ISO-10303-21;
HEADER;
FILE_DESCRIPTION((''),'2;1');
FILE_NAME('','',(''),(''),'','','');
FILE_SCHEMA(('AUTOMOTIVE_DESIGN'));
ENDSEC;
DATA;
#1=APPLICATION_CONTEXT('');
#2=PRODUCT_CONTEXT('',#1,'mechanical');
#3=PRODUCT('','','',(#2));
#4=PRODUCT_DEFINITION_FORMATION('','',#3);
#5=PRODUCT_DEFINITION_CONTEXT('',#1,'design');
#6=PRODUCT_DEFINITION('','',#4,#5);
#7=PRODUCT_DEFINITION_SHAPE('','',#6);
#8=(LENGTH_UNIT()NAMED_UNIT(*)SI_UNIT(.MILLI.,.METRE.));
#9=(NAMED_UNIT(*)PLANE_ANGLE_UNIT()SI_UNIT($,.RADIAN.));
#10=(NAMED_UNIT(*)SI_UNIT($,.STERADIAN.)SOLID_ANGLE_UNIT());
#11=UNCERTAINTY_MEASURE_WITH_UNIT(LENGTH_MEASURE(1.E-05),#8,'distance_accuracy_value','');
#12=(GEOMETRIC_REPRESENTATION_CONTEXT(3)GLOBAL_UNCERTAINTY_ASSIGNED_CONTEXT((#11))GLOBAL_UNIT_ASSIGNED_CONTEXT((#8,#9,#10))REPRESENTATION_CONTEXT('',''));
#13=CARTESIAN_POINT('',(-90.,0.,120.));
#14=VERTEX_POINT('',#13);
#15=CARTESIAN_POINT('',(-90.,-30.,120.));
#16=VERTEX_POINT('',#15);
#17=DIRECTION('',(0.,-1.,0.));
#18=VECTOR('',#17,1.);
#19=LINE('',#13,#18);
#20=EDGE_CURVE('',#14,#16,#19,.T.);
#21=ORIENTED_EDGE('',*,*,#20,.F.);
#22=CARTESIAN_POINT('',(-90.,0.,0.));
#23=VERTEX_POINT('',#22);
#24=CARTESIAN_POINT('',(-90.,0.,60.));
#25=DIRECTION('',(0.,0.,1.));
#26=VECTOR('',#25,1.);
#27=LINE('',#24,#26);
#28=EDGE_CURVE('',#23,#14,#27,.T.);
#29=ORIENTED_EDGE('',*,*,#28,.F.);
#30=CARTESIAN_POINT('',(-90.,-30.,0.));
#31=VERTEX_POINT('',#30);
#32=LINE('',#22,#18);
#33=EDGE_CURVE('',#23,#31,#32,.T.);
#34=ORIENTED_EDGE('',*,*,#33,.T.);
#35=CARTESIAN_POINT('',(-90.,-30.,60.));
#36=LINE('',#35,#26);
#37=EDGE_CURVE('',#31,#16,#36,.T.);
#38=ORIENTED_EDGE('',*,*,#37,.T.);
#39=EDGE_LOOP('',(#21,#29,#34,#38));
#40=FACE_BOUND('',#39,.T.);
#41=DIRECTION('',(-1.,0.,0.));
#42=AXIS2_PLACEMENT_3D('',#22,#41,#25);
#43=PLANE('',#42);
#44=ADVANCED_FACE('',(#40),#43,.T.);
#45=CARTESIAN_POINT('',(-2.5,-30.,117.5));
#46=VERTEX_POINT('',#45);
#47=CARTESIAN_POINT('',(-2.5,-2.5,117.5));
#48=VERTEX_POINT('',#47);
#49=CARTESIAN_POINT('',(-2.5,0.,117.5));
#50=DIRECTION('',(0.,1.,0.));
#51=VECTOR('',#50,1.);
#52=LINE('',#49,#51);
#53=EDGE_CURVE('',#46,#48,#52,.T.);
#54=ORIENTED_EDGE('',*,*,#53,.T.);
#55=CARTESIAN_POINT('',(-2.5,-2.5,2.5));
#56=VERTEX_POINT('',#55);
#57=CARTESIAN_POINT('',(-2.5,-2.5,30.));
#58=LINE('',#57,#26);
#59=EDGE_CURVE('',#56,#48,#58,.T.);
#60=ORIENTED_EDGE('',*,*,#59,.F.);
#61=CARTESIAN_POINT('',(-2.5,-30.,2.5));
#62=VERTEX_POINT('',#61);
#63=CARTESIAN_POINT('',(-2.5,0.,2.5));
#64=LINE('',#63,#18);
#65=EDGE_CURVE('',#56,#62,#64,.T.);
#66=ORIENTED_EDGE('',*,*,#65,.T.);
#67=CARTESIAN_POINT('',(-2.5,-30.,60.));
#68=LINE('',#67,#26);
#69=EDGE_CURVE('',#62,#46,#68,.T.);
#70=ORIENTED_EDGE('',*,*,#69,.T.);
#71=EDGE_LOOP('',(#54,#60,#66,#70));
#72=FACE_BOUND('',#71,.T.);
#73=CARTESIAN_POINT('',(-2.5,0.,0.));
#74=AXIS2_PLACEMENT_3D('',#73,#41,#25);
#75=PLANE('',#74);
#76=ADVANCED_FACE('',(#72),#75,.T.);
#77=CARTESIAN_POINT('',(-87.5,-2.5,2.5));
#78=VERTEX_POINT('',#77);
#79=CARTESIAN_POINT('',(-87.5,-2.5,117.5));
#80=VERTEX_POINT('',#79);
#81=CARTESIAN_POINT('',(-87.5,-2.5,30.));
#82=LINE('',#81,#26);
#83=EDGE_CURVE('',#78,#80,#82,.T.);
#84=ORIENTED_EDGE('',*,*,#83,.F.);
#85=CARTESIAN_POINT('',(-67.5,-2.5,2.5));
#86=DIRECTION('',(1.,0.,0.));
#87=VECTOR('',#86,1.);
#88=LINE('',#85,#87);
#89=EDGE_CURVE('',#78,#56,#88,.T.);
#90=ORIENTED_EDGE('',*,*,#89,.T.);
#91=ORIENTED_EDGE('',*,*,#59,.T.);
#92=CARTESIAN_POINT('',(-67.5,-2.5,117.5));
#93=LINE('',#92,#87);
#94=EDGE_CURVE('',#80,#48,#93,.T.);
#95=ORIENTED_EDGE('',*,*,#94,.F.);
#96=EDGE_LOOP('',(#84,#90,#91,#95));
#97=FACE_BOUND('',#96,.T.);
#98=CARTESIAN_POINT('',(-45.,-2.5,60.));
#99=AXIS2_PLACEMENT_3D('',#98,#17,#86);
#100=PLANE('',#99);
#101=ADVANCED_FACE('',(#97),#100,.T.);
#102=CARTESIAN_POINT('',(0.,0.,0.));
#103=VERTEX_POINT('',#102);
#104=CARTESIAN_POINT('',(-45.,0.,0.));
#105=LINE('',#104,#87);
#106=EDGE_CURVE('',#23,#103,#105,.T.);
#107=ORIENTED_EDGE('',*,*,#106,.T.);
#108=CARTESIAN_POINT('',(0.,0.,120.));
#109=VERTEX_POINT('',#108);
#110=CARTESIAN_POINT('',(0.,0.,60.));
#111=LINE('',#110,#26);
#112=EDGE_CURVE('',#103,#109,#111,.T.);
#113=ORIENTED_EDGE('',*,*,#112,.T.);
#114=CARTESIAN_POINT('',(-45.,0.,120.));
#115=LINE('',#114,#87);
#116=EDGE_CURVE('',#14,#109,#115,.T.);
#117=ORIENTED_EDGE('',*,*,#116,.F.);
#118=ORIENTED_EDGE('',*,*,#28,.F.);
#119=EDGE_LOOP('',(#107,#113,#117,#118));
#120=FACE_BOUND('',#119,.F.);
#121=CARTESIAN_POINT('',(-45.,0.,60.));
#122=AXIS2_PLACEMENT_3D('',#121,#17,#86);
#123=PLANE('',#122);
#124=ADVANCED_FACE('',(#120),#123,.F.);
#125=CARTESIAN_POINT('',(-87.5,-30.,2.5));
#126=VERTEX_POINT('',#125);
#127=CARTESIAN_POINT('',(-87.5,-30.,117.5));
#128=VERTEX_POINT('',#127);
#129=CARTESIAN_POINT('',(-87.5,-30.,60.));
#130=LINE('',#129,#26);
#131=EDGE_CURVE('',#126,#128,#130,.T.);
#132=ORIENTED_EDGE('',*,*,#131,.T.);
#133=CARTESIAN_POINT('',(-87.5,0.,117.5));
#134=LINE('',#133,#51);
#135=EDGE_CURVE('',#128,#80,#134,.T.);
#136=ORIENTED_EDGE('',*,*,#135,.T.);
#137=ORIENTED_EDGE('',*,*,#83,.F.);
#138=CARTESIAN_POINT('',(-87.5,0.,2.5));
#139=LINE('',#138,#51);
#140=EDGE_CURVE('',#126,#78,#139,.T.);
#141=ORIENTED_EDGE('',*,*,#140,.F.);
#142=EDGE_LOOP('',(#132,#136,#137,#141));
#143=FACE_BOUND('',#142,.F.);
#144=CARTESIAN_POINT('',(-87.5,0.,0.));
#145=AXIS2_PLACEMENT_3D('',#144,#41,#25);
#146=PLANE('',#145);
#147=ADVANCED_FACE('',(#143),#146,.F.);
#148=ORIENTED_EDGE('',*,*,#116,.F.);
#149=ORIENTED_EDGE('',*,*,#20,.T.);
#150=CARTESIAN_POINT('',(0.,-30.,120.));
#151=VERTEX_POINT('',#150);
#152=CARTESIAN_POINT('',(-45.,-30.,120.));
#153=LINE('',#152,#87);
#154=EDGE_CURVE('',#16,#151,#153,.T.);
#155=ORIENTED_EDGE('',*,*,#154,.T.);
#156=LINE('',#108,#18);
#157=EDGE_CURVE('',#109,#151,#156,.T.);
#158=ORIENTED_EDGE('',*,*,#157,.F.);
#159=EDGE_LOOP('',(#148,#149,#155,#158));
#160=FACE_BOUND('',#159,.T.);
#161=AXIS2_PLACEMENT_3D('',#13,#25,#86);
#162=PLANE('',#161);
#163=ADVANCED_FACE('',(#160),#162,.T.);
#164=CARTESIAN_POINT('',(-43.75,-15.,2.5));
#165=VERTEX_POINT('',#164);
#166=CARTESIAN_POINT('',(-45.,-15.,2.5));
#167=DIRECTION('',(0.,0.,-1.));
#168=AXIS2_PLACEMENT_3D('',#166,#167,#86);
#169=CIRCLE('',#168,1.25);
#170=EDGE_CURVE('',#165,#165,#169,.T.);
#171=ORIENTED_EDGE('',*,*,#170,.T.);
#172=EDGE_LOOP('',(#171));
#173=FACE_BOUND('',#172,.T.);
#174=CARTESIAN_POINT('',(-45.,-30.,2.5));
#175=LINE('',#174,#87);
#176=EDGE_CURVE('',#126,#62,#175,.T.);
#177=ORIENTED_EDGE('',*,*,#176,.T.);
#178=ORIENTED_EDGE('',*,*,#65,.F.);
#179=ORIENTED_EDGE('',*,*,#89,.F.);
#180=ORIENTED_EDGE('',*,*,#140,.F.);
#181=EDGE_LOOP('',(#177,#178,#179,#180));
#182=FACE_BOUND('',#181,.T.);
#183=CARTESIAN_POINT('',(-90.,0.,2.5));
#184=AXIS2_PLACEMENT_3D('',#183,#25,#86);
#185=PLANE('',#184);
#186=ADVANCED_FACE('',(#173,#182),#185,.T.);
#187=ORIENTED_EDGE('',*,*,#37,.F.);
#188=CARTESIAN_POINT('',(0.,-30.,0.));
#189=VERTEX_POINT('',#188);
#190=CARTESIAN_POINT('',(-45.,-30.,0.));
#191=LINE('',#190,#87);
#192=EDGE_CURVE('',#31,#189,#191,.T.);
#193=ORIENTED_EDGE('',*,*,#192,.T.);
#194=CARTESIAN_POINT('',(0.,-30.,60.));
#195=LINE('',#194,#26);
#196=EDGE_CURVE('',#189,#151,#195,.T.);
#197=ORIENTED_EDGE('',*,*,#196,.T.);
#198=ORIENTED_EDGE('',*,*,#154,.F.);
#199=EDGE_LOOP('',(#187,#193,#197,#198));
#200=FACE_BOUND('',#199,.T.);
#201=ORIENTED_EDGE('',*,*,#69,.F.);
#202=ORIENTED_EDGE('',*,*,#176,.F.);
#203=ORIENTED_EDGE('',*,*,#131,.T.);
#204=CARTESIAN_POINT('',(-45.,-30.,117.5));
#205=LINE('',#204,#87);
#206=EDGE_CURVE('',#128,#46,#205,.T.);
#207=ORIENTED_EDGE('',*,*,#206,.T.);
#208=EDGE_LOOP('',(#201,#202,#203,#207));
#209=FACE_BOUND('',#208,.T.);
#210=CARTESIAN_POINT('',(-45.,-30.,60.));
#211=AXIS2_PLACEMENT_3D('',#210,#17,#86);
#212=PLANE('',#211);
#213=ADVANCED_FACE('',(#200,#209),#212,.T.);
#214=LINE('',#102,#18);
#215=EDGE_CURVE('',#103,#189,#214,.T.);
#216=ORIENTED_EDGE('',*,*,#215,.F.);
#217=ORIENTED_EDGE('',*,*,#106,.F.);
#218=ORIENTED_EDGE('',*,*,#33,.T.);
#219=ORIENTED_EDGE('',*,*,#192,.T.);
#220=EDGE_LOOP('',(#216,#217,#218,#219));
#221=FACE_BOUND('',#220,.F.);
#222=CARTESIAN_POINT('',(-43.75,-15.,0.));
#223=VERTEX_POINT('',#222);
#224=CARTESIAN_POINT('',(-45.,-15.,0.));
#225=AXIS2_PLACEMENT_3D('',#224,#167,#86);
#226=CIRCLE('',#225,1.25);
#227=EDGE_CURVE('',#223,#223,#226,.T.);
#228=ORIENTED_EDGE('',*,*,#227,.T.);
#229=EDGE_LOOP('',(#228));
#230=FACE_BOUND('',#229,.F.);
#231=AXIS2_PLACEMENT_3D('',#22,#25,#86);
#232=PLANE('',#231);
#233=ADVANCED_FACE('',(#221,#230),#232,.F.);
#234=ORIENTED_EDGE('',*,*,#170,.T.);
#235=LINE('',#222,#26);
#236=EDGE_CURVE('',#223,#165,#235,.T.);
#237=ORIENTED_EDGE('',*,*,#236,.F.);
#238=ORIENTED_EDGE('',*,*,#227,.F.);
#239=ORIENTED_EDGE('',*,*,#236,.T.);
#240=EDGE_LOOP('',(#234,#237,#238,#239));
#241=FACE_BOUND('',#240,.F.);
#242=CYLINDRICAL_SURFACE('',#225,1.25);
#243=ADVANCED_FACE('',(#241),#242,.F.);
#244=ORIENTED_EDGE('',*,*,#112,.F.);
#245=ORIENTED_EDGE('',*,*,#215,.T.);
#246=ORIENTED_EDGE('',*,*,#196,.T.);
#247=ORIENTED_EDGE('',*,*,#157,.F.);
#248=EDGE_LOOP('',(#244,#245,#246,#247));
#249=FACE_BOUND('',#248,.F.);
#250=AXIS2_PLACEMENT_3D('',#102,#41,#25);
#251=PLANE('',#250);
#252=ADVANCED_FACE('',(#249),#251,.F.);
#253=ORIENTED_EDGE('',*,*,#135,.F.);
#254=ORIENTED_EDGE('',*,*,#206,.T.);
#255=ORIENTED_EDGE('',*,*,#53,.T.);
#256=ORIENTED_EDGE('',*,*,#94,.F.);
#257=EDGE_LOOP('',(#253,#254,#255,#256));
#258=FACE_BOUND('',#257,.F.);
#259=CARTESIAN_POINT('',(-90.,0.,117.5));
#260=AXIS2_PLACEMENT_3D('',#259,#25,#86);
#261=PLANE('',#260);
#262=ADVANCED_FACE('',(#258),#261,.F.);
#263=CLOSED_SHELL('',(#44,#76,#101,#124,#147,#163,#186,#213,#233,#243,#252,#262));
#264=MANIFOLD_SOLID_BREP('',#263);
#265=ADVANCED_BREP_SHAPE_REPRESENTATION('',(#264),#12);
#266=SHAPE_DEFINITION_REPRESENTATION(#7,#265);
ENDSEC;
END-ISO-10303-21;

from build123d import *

# Parameters (mm, degrees)
F0_W     = 90
F0_H     = 120
F1_DEPTH = 30
F2_T     = -2.5
F3_R     = 1.25
F4_DEPTH = 25


with BuildPart() as f1:
    # F0 (on Front) → F1 (new body)
    with BuildSketch(Plane.XZ):
        with Locations((-45, 60)):
            Rectangle(F0_W, F0_H)
    extrude(amount=F1_DEPTH)

    # F2
    f2_openings = [f1.faces().sort_by_distance(p)[0] for p in [
        (-45, -30, 60),
    ]]
    offset(amount=F2_T, openings=f2_openings)

    # F3 (on face) → F4 (cut)
    with BuildSketch(Plane(origin=(0, 0, 0), x_dir=(1, 0, 0), z_dir=(0, 0, -1))):
        with Locations((-45, 15)):
            Circle(F3_R)
    extrude(amount=-F4_DEPTH, mode=Mode.SUBTRACT)


solid = f1.part
